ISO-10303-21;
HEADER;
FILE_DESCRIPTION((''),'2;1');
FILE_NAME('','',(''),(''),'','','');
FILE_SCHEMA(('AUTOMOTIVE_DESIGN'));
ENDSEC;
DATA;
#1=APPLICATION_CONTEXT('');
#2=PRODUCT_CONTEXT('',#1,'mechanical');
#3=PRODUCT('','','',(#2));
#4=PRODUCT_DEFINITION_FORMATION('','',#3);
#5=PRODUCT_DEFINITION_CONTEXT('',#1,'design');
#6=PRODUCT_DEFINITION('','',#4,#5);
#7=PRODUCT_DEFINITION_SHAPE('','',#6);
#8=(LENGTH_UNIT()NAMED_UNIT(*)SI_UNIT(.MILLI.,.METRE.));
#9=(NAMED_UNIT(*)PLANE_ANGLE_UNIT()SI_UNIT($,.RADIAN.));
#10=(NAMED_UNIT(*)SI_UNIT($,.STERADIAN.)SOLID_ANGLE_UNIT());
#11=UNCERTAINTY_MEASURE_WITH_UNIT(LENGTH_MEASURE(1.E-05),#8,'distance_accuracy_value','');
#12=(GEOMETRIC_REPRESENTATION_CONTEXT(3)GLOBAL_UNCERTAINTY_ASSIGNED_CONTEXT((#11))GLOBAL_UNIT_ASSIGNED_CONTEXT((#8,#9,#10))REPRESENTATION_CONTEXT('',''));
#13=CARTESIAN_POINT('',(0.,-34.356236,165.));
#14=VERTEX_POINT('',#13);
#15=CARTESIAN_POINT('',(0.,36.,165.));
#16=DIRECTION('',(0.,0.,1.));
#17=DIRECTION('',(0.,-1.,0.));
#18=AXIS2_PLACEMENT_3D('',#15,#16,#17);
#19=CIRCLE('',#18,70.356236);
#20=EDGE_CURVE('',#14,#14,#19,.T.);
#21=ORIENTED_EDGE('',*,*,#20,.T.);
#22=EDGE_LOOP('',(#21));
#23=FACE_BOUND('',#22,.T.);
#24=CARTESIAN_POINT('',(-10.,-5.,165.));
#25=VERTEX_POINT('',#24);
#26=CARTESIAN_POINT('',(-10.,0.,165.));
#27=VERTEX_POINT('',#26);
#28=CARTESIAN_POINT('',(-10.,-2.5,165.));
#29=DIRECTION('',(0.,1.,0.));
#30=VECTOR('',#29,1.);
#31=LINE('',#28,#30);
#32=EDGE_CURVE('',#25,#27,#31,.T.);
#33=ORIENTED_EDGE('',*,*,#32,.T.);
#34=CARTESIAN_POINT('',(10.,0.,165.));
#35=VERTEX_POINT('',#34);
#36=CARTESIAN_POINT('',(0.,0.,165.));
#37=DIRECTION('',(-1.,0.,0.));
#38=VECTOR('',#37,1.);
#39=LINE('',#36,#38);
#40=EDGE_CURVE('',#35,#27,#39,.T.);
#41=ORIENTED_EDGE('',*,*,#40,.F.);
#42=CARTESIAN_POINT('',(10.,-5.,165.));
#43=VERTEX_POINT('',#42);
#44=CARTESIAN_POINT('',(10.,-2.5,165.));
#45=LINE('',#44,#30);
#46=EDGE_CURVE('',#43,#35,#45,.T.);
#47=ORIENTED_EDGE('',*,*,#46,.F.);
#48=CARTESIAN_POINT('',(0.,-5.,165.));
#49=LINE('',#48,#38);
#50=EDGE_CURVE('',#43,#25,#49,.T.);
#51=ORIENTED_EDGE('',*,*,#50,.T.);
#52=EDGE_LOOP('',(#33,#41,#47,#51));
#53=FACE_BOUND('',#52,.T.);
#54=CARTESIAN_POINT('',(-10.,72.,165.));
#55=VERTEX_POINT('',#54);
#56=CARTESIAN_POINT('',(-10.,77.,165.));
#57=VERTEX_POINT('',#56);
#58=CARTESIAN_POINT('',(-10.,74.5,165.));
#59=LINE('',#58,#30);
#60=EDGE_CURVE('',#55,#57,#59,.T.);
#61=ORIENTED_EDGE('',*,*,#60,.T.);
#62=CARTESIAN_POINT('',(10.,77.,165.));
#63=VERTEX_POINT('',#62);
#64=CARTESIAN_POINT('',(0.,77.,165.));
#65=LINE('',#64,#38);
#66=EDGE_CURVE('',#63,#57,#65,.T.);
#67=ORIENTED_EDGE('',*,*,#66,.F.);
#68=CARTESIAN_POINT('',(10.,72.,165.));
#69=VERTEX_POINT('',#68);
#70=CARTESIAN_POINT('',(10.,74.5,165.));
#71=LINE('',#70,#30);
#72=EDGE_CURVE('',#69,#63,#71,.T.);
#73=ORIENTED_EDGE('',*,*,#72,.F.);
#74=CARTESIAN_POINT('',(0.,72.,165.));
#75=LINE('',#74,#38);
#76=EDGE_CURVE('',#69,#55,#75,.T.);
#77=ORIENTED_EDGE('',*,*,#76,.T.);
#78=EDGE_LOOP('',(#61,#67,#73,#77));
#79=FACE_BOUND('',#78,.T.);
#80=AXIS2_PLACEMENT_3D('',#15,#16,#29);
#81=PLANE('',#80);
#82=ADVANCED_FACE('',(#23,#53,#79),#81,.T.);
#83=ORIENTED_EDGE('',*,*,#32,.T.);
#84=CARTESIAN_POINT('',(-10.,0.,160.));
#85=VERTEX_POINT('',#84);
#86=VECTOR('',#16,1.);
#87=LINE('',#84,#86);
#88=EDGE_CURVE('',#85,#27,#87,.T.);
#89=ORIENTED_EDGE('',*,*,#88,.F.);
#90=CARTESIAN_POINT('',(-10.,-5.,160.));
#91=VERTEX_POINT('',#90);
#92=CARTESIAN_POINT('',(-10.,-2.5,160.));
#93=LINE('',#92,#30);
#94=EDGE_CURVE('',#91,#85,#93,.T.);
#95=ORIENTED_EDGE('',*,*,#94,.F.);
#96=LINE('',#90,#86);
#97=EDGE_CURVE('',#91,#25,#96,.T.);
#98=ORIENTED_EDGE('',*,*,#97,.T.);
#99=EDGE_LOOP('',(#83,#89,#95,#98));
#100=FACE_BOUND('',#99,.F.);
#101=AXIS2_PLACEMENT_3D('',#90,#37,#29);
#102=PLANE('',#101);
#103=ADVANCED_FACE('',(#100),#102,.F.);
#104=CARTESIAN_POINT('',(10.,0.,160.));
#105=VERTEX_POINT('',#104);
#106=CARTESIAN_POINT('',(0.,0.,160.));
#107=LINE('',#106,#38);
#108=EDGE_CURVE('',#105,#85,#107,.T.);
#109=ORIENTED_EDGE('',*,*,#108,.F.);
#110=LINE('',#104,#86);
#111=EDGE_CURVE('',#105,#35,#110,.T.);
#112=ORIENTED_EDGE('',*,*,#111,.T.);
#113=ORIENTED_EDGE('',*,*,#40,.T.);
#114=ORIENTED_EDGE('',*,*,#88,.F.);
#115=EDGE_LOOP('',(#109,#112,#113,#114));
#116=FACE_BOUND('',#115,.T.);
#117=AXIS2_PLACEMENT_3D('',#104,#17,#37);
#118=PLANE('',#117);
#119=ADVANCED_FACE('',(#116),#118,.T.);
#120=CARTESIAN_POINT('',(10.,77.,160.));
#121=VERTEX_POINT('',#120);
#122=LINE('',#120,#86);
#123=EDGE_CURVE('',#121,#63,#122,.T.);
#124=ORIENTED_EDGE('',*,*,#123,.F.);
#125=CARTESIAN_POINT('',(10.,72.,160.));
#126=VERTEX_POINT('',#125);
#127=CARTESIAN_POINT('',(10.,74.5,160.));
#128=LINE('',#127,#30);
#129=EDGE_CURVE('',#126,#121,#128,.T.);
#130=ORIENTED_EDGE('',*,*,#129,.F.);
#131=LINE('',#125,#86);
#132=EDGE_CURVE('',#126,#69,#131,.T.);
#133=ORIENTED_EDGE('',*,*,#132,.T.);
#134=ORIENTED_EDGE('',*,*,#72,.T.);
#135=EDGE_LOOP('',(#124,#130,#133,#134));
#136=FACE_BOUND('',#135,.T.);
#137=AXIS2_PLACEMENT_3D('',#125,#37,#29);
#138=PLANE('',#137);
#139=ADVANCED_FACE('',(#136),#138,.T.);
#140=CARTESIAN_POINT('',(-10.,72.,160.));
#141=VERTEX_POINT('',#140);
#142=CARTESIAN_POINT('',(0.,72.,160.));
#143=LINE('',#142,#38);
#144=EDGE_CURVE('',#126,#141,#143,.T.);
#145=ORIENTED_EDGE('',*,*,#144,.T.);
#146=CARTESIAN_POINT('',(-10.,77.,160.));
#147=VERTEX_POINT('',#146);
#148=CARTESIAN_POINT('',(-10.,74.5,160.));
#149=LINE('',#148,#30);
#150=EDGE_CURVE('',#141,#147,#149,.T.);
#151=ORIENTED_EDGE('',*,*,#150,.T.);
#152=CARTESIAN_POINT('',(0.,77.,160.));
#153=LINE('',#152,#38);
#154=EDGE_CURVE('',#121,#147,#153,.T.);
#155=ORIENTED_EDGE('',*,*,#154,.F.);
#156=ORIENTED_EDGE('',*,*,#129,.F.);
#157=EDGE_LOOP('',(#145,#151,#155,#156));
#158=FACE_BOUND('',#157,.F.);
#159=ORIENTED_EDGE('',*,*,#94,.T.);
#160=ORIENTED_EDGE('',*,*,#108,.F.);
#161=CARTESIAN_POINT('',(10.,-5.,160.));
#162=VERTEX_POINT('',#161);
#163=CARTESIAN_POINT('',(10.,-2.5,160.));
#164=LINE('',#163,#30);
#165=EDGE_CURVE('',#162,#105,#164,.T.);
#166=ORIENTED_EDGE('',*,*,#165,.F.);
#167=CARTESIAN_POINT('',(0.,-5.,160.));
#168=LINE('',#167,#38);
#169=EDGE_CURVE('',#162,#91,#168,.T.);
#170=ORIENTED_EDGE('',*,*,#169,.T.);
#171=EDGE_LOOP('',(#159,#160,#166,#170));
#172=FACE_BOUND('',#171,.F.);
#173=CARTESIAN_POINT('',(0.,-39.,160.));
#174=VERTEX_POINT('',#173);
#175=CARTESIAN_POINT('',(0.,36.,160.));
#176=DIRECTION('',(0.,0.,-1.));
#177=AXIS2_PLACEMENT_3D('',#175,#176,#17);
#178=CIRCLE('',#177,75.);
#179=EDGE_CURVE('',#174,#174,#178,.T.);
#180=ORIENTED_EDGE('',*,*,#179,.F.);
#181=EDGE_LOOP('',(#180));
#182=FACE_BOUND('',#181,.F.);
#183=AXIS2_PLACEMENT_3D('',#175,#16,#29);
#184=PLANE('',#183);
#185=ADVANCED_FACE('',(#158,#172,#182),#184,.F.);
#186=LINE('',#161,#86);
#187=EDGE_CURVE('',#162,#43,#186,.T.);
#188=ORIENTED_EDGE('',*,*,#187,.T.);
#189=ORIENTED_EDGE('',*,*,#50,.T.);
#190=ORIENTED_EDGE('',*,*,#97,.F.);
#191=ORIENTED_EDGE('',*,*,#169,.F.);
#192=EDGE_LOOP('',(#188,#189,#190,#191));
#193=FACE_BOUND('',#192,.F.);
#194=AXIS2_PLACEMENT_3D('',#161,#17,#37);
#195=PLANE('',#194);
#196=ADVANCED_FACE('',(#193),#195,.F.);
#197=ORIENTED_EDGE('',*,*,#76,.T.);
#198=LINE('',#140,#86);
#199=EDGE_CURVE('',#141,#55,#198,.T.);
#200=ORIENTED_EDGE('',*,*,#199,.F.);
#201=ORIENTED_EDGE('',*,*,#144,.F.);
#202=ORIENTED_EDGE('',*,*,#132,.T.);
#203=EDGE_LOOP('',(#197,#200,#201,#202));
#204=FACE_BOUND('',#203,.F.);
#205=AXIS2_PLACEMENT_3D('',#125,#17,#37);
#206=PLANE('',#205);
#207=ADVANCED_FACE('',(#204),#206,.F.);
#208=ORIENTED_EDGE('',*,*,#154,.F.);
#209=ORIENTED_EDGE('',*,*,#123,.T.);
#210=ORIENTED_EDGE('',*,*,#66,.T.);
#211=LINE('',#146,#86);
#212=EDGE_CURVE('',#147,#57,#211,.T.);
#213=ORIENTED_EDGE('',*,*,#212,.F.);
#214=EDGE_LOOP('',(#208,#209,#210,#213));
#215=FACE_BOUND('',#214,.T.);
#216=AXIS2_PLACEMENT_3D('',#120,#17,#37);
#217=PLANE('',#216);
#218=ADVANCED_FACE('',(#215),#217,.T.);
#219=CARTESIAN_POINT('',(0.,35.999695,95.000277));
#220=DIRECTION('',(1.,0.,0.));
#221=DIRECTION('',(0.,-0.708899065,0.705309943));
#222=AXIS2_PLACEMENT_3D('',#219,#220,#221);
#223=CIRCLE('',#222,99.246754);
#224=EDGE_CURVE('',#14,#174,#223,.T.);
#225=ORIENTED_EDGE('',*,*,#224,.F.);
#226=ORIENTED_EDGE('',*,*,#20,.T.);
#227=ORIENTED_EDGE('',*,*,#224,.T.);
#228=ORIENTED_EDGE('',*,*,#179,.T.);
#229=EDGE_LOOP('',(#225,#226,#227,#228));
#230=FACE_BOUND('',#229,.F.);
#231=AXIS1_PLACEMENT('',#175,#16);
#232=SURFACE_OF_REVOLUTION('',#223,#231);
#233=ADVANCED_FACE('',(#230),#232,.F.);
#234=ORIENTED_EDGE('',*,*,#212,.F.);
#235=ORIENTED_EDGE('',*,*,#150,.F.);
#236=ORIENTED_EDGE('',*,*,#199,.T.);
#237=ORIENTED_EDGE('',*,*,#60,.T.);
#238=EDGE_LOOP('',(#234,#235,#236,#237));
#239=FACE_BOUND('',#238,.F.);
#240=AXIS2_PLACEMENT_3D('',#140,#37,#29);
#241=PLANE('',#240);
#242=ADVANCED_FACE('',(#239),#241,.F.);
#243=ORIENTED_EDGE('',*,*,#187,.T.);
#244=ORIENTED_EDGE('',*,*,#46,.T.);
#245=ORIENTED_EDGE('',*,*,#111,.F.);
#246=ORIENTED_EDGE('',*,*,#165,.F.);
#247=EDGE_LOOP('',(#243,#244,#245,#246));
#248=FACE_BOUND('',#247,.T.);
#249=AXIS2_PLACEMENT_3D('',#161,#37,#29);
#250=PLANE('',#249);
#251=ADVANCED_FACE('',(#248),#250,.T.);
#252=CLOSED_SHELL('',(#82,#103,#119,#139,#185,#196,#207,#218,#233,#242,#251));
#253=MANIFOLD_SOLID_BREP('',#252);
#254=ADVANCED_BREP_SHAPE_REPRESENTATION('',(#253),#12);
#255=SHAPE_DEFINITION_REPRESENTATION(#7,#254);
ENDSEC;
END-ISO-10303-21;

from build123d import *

# Parameters (mm, degrees)
SKETCH018_R         = 75
SKETCH018_W         = 5
SKETCH018_H         = 20
PAD018_DEPTH        = 5
CUT_PLACEMENT_ANGLE = 90


with BuildPart() as revolution:
    # Sketch019 → Revolution (revolve)
    with BuildSketch(Plane.XZ):
        with BuildLine():
            Line((-75, 0), (-75, 5))
            Line((-75, 5), (-70.356236, 5))
            ThreePointArc((-70.356236, 5), (-72.721103, 2.539923), (-75, 0))
        make_face()
    revolve(axis=Axis((0, 0, 0), (0, 0, 1)))


with BuildPart() as bowlsupport:
    # Sketch018 → Pad018 (new body)
    with BuildSketch(Plane.XY):
        Circle(SKETCH018_R)
        with Locations((-38.5, 0)):
            Rectangle(SKETCH018_W, SKETCH018_H, mode=Mode.SUBTRACT)
        with Locations((38.5, 0)):
            Rectangle(SKETCH018_W, SKETCH018_H, mode=Mode.SUBTRACT)
    extrude(amount=PAD018_DEPTH)

    # Cut: cut Revolution
    add(revolution.part, mode=Mode.SUBTRACT)


with BuildPart() as bowlsupport_1:
    # Cut placement: moved
    add(bowlsupport.part.moved(Location((0, 36, 160))).rotate(Axis((0, 36, 160), (0, 0, 1)), CUT_PLACEMENT_ANGLE))


solid = bowlsupport_1.part
